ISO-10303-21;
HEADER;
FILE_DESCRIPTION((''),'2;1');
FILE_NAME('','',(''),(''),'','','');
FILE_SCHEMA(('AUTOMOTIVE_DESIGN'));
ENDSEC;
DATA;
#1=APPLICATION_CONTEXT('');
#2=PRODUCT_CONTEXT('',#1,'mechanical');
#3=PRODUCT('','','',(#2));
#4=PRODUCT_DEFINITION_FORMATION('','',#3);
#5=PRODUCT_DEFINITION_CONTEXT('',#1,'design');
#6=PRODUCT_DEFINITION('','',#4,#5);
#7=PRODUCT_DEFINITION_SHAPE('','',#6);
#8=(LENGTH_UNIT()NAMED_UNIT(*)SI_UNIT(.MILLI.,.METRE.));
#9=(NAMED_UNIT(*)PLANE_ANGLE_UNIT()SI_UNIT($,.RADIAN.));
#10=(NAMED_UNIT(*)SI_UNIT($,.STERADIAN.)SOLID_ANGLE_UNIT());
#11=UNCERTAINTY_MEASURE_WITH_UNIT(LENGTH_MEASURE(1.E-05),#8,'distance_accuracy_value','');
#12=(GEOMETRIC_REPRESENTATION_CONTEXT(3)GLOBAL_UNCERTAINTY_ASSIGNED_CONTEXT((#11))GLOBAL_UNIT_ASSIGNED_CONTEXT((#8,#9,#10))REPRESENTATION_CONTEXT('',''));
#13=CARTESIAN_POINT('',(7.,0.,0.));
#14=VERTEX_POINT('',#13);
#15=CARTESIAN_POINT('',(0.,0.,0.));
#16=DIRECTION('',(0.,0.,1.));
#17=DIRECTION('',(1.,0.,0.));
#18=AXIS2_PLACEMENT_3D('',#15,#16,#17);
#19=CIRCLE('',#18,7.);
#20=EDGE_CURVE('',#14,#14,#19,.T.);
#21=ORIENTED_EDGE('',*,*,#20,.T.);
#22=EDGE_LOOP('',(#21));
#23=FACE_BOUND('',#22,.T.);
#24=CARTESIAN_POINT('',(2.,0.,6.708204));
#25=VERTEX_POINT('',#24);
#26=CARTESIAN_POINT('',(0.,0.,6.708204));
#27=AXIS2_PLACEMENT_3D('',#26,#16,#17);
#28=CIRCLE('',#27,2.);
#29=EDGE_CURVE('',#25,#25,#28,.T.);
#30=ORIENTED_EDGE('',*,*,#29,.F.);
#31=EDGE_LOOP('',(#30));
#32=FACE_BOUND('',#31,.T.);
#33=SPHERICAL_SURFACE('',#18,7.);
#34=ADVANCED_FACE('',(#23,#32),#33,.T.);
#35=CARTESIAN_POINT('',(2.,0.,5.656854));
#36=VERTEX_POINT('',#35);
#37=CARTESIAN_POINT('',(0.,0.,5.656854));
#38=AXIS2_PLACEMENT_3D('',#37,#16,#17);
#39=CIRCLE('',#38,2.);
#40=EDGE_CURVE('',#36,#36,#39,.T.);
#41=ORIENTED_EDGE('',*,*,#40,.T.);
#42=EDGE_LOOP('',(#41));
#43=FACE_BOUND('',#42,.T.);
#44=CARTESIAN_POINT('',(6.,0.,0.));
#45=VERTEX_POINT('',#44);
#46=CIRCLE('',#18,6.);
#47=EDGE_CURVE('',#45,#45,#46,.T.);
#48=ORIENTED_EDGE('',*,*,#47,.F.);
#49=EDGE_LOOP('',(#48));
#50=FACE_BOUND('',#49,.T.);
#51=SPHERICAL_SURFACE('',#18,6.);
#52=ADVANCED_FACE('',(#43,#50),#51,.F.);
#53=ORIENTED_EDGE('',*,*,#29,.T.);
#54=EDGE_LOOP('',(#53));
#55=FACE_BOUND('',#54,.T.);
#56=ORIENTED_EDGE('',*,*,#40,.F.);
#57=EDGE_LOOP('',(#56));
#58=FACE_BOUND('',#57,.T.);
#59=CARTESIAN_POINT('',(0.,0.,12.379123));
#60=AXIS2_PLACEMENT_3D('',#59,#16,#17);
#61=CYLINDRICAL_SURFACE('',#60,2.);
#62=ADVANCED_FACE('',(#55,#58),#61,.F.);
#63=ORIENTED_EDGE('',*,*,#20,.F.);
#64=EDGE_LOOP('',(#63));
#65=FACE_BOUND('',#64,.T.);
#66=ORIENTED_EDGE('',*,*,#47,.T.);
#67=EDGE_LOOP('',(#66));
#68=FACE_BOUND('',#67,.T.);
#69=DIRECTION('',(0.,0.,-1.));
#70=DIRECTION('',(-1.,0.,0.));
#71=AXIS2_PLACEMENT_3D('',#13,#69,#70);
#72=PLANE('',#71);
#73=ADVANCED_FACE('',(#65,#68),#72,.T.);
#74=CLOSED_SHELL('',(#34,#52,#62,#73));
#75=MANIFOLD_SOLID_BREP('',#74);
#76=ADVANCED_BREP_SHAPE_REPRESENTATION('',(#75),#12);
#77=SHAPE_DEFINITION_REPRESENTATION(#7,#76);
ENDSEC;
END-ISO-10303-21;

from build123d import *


with BuildPart() as part:
    # Sketch2 → Revolve1 (revolve)
    with BuildSketch(Plane(origin=(0, 0, 0), x_dir=(1, 0, 0), z_dir=(0, 1, 0))):
        with BuildLine():
            Line((7, 0), (6, 0))
            ThreePointArc((6, 0), (4.898979486, -3.464101615), (2, -5.656854249))
            Line((2, -5.656854249), (2, -6.708203932))
            ThreePointArc((2, -6.708203932), (5.61248608, -4.183300133), (7, 0))
        make_face()
    revolve(axis=Axis((0, 0, 12.379123454), (0, 0, -1)))


solid = part.part
